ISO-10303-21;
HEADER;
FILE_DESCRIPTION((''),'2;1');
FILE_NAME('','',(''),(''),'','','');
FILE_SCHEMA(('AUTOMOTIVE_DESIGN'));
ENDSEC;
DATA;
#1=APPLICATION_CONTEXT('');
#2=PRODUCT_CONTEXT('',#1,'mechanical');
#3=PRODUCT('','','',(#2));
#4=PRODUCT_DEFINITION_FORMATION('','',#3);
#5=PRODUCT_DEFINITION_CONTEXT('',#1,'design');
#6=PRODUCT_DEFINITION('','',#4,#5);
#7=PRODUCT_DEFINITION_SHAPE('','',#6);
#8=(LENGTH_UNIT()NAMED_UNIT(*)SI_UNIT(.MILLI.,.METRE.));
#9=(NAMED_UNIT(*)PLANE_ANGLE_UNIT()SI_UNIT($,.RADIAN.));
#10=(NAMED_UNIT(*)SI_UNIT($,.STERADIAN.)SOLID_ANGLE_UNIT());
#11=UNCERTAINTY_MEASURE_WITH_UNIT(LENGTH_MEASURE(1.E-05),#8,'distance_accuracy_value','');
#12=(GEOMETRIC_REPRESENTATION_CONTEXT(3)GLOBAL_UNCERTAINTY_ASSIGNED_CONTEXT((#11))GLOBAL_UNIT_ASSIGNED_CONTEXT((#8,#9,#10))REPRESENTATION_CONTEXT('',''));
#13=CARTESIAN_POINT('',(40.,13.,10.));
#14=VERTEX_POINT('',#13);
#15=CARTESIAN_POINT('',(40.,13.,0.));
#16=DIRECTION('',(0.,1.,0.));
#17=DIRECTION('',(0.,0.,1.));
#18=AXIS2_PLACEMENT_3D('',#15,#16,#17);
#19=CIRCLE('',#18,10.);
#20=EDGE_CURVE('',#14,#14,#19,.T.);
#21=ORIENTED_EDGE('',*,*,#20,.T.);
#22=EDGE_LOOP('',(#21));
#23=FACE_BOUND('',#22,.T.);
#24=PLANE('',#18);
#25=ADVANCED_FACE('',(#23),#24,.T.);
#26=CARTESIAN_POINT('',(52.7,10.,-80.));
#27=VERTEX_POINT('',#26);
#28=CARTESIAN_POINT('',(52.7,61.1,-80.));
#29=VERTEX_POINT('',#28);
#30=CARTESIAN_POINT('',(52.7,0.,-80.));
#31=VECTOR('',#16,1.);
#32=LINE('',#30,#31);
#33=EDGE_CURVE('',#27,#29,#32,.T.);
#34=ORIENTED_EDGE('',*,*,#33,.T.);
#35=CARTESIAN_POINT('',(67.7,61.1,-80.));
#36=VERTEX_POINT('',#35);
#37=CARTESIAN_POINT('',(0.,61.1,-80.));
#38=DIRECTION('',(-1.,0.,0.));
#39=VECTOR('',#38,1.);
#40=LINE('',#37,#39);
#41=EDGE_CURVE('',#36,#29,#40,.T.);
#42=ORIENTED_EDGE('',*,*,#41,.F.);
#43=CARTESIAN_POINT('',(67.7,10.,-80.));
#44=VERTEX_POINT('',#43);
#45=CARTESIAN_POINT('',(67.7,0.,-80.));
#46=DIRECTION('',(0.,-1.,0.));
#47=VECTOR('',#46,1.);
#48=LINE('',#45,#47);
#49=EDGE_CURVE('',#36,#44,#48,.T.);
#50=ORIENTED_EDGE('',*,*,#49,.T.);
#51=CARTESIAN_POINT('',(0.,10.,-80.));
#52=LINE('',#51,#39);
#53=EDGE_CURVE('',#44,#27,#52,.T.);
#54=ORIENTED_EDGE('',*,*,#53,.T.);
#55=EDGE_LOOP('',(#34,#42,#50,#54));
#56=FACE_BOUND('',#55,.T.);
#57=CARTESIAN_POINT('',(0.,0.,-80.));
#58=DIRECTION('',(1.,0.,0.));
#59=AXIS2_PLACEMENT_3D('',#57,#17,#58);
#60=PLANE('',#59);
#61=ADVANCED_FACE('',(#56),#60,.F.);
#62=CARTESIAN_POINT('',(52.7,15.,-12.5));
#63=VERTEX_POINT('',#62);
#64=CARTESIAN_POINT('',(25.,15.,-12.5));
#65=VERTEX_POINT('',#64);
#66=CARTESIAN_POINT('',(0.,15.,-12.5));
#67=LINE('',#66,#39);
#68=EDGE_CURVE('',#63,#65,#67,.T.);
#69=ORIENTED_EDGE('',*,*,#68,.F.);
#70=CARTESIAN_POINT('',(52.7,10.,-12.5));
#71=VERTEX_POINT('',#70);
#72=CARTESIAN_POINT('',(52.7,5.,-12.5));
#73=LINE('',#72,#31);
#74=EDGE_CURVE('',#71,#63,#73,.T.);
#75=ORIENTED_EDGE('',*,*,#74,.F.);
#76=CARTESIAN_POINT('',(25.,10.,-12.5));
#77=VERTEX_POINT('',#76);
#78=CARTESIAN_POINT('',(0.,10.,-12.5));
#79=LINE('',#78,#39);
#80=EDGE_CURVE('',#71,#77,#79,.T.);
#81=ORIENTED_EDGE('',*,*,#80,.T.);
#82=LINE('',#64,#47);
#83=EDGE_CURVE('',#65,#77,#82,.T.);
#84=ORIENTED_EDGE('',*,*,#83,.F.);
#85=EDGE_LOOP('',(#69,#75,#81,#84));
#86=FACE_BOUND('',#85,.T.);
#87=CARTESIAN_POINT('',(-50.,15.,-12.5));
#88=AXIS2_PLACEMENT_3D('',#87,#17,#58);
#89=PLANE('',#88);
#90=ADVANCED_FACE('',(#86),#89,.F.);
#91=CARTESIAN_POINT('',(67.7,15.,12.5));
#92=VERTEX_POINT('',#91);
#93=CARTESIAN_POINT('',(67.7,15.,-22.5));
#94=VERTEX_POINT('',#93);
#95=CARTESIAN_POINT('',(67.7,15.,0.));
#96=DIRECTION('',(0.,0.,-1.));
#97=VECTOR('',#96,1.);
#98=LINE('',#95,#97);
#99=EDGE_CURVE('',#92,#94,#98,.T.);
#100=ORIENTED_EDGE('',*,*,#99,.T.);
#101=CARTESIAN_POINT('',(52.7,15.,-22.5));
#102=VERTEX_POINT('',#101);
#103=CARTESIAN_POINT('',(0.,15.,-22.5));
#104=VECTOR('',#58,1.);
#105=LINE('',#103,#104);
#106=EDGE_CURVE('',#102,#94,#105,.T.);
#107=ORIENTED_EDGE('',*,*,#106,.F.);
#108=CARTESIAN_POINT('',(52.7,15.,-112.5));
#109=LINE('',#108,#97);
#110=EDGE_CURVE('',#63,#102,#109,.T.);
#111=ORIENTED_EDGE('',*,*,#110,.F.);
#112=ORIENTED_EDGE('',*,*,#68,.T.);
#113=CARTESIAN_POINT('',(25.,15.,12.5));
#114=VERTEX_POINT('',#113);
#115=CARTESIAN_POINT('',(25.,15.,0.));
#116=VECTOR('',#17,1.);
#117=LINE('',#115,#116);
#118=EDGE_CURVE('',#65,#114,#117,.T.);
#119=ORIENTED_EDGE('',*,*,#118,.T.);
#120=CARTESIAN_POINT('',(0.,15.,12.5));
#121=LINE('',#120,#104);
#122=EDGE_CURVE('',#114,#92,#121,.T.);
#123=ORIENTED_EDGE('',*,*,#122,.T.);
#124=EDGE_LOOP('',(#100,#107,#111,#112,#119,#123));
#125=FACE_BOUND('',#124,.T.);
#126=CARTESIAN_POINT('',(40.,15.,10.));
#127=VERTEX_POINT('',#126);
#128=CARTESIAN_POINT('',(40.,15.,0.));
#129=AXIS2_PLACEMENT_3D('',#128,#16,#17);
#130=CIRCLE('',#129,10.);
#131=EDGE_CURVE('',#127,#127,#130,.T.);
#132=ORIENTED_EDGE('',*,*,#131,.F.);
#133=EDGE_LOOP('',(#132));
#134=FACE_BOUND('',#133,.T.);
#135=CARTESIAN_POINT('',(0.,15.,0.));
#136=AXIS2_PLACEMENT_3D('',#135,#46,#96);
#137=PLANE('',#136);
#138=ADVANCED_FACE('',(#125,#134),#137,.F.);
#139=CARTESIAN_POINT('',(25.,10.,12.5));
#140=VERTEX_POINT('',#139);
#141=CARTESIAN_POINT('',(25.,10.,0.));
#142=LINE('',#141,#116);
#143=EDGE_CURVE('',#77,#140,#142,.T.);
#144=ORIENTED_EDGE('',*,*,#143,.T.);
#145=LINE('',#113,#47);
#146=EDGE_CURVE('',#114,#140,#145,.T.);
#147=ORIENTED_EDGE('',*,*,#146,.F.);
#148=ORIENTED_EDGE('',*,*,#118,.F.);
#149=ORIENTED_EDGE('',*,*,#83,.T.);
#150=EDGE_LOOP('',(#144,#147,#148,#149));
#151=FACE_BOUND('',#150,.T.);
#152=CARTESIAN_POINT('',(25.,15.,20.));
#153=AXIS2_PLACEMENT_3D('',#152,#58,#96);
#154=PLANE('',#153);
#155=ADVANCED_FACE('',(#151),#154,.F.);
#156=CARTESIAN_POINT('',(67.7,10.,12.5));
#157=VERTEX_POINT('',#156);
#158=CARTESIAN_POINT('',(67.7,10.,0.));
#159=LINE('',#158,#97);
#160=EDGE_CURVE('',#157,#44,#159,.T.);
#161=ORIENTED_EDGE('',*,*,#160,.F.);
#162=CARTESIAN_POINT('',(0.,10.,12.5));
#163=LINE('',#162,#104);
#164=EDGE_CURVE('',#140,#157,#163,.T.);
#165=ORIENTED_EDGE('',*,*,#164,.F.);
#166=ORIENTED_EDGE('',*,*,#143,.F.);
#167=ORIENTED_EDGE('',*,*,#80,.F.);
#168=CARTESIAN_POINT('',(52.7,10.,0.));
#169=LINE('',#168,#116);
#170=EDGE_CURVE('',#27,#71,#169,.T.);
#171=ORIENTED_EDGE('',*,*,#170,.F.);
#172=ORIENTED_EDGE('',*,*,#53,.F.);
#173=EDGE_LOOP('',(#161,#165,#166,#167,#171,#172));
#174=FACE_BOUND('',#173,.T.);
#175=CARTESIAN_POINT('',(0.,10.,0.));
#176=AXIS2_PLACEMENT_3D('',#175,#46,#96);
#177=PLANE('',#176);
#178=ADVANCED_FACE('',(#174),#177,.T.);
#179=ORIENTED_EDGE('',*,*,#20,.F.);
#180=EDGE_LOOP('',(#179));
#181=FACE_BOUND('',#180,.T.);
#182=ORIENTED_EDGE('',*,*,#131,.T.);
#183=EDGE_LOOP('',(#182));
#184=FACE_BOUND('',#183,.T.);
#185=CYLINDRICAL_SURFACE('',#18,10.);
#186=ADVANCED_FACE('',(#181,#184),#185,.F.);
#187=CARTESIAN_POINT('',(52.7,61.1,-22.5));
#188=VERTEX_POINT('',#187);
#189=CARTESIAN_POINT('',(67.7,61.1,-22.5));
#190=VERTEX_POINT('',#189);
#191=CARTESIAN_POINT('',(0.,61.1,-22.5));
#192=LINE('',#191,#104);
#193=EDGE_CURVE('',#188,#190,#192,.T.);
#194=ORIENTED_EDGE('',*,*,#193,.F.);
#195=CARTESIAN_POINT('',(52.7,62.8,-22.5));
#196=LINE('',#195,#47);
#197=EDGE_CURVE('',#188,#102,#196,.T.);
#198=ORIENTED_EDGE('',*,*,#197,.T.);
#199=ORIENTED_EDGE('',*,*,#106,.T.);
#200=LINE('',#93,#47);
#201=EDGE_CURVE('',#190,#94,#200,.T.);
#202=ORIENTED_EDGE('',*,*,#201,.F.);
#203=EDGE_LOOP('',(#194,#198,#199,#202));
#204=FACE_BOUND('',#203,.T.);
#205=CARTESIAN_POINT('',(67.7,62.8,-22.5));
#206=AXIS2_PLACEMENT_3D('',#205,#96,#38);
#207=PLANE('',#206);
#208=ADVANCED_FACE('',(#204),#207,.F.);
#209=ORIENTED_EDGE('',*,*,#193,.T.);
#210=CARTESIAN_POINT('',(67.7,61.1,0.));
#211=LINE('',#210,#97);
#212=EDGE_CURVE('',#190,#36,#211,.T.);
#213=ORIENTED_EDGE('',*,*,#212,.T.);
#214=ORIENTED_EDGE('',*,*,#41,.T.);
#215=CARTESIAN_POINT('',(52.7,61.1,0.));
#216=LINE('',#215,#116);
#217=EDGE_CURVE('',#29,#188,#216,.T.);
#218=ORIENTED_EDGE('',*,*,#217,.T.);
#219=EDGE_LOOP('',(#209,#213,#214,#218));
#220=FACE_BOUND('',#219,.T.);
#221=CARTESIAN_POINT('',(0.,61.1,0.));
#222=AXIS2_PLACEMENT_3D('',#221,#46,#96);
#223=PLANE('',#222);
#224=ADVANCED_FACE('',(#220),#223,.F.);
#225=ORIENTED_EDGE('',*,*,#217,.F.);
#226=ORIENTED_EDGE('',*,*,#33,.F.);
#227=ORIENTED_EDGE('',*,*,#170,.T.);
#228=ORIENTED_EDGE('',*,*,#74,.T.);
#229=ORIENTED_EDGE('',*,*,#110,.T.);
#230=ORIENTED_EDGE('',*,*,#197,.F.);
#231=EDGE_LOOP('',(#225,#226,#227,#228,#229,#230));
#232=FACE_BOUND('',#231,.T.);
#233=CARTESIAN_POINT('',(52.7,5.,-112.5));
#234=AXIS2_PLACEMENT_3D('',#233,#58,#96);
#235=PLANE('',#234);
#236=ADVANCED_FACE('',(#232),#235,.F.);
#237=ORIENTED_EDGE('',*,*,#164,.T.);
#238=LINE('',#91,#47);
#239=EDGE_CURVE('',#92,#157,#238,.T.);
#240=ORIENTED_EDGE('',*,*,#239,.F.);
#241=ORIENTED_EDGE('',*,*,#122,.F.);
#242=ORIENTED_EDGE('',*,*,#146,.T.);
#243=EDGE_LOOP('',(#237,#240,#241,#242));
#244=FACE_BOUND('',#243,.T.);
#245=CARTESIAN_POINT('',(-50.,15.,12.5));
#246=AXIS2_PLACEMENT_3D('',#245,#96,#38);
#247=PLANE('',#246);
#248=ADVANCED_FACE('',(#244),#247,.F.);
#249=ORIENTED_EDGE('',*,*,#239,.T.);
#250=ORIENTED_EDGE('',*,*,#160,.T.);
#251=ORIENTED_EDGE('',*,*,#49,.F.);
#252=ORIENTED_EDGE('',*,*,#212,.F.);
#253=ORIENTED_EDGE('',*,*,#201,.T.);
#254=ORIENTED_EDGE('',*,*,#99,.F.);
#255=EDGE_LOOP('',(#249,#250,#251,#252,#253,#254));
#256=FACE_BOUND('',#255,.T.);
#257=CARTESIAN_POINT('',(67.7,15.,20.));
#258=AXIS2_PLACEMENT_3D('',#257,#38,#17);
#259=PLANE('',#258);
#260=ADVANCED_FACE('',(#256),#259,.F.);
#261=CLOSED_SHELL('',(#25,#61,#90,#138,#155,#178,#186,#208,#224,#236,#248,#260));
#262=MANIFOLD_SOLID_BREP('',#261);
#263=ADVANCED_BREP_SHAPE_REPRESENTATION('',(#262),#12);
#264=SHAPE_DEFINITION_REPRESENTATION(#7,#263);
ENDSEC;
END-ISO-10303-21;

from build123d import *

# Parameters (mm, degrees)
SKETCH1_W           = 100
SKETCH1_H           = 40
BOSS_EXTRUDE1_DEPTH = 15
MOVE_FACE4_BY       = 5
SKETCH5_R           = 10
CUT_EXTRUDE2_DEPTH  = 2
MOVE_FACE5_BY       = 7.5
MOVE_FACE5_2_BY     = 7.5
MOVE_FACE7_BY       = 75
MOVE_FACE8_BY       = 5
MOVE_FACE9_BY       = 12.7
SKETCH6_W           = 15
SKETCH6_H           = 10
BOSS_EXTRUDE2_DEPTH = 100
MOVE_FACE10_BY      = 22.5
SKETCH7_W           = 15
SKETCH7_H           = 77.5
BOSS_EXTRUDE3_DEPTH = 47.8
MOVE_FACE11_BY      = 5
MOVE_FACE12_BY      = 6.7
MOVE_FACE13_BY      = 4.1
MOVE_FACE16_BY      = 0.9
MOVE_FACE17_BY      = 10
MOVE_FACE18_BY      = 10


with BuildPart() as part:
    # Sketch1 → Boss-Extrude1 (new body)
    with BuildSketch(Plane(origin=(0, 0, 0), x_dir=(1, 0, 0), z_dir=(0, 1, 0))):
        Rectangle(SKETCH1_W, SKETCH1_H)
    extrude(amount=BOSS_EXTRUDE1_DEPTH)

    # Move Face4: a face moved outward by 5.0
    extrude(part.faces().sort_by_distance((50, 7.5, 0))[0], amount=MOVE_FACE4_BY, dir=(1, 0, 0))

    # Sketch5 → Cut-Extrude2 (cut)
    with BuildSketch(Plane(origin=(0, 15, 0), x_dir=(1, 0, 0), z_dir=(0, 1, 0))):
        with Locations(Location((40, 0, 0), (0, 0, 270))):
            Circle(SKETCH5_R)
    extrude(amount=-CUT_EXTRUDE2_DEPTH, mode=Mode.SUBTRACT)

    # Move Face5: a face moved inward by 7.5
    extrude(part.faces().sort_by_distance((2.5, 7.5, -20))[0], amount=MOVE_FACE5_BY, dir=(0, 0, 1), mode=Mode.SUBTRACT)

    # Move Face5 2: a face moved inward by 7.5
    extrude(part.faces().sort_by_distance((2.5, 7.5, 20))[0], amount=MOVE_FACE5_2_BY, dir=(0, 0, -1), mode=Mode.SUBTRACT)

    # Move Face7: a face moved inward by 75.0
    extrude(part.faces().sort_by_distance((-50, 7.5, 0))[0], amount=MOVE_FACE7_BY, dir=(1, 0, 0), mode=Mode.SUBTRACT)

    # Move Face8: a face moved inward by 5.0
    extrude(part.faces().sort_by_distance((40, 0, 0))[0], amount=MOVE_FACE8_BY, dir=(0, 1, 0), mode=Mode.SUBTRACT)

    # Move Face9: a face moved outward by 12.7
    extrude(part.faces().sort_by_distance((55, 10, 0))[0], amount=MOVE_FACE9_BY, dir=(1, 0, 0))

    # Sketch6 → Boss-Extrude2 (add)
    with BuildSketch(Plane(origin=(0, 0, -12.5), x_dir=(-1, 0, 0), z_dir=(0, 0, -1))):
        with Locations((-60.2, 10)):
            Rectangle(SKETCH6_W, SKETCH6_H)
    extrude(amount=BOSS_EXTRUDE2_DEPTH)

    # Move Face10: a face moved inward by 22.5
    extrude(part.faces().sort_by_distance((60.2, 10, -112.5))[0], amount=MOVE_FACE10_BY, dir=(0, 0, 1), mode=Mode.SUBTRACT)

    # Sketch7 → Boss-Extrude3 (add)
    with BuildSketch(Plane(origin=(0, 15, 0), x_dir=(1, 0, 0), z_dir=(0, 1, 0))):
        with Locations((60.2, 51.25)):
            Rectangle(SKETCH7_W, SKETCH7_H)
    extrude(amount=BOSS_EXTRUDE3_DEPTH)

    # Move Face11: a face moved inward by 5.0
    extrude(part.faces().sort_by_distance((53.570011211, 5, -26.716647982))[0], amount=MOVE_FACE11_BY, dir=(0, 1, 0), mode=Mode.SUBTRACT)

    # Move Face12: a face moved inward by 6.7
    extrude(part.faces().sort_by_distance((60.2, 62.8, -51.25))[0], amount=MOVE_FACE12_BY, dir=(0, -1, 0), mode=Mode.SUBTRACT)

    # Move Face13: a face moved outward by 4.1
    extrude(part.faces().sort_by_distance((60.2, 56.1, -51.25))[0], amount=MOVE_FACE13_BY, dir=(0, 1, 0))

    # Move Face16: a face moved outward by 0.9
    extrude(part.faces().sort_by_distance((60.2, 60.2, -51.25))[0], amount=MOVE_FACE16_BY, dir=(0, 1, 0))

    # Move Face17: a face moved inward by 10.0
    extrude(part.faces().sort_by_distance((60.2, 38.05, -12.5))[0], amount=MOVE_FACE17_BY, dir=(0, 0, -1), mode=Mode.SUBTRACT)

    # Move Face18: a face moved inward by 10.0
    extrude(part.faces().sort_by_distance((60.2, 35.55, -90))[0], amount=MOVE_FACE18_BY, dir=(0, 0, 1), mode=Mode.SUBTRACT)


solid = part.part
